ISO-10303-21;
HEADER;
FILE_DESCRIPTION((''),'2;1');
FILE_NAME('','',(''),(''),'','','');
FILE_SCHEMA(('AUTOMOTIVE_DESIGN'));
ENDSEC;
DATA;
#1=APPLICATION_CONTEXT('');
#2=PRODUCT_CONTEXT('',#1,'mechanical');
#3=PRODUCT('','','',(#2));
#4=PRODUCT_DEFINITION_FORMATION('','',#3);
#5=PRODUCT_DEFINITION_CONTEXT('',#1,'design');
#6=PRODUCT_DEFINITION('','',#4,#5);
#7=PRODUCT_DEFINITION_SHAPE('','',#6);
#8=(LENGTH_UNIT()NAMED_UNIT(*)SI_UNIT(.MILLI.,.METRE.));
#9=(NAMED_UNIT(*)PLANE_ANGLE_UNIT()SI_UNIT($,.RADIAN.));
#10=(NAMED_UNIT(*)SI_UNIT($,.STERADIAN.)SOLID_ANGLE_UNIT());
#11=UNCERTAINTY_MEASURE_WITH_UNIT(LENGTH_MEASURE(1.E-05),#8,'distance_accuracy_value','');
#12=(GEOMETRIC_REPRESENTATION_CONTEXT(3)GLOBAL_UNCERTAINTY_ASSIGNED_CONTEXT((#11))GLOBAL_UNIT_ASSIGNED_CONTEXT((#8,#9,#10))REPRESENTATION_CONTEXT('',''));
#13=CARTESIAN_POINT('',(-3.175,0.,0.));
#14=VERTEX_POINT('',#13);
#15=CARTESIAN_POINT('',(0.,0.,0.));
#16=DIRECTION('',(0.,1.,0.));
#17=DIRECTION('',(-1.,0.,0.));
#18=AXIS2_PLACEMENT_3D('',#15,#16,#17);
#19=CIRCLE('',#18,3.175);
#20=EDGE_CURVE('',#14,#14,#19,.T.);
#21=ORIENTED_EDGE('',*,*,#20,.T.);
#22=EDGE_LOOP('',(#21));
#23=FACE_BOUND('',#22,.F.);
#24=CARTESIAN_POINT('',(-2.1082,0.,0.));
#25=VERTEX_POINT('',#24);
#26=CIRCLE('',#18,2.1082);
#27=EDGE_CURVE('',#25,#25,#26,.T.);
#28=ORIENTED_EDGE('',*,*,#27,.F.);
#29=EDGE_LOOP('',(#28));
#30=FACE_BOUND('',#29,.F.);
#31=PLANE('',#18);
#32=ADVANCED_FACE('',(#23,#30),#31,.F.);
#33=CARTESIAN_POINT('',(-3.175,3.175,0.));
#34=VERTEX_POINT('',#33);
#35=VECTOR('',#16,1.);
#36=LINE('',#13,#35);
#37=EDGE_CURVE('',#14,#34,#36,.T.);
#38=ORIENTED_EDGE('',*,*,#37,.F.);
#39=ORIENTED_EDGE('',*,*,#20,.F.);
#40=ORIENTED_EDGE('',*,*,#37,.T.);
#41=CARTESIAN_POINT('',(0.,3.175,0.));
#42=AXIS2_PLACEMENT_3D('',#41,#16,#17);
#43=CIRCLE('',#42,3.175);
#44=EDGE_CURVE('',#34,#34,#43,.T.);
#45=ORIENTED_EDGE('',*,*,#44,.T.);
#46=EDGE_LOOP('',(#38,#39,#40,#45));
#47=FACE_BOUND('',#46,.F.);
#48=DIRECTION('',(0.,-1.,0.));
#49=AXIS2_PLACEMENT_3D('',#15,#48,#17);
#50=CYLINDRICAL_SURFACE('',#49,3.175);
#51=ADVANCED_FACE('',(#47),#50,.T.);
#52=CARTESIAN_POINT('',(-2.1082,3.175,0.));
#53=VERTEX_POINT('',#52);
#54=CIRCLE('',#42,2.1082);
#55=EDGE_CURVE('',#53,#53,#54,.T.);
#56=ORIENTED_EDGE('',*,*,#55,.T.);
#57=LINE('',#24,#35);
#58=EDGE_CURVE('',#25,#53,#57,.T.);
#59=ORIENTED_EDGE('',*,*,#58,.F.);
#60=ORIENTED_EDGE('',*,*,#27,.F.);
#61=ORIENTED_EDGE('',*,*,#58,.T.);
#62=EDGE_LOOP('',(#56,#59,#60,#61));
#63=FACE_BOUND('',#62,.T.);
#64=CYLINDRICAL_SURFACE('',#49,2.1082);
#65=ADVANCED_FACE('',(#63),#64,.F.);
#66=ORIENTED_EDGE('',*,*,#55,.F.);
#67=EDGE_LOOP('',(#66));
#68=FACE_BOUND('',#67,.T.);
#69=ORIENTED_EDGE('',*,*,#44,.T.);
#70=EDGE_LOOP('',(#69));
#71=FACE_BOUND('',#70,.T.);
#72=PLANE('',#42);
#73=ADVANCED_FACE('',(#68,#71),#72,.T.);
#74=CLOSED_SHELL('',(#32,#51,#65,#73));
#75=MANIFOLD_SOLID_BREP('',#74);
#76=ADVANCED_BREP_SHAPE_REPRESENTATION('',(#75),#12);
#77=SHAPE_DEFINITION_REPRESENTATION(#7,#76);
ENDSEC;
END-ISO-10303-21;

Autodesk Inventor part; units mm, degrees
ref_plane "YZ Plane" through (0, 0, 0) normal (1, 0, 0) x (0, 1, 0)
ref_plane "XZ Plane" through (0, 0, 0) normal (0, 1, 0) x (-1, 0, 0)
ref_plane "XY Plane" through (0, 0, 0) normal (0, 0, 1) x (1, 0, 0)
sketch "Sketch1" plane through (0, 0, 0) normal (0, 1, 0) x (-1, 0, 0)
  circle A0 centre (0, 0) radius 2.1082
  circle A1 centre (0, 0) radius 3.175
  dimension "d0" = 6.35
  dimension "d1" = 4.2164
extrude "Extrusion1" add sketch "Sketch1" along normal blind 3.175
properties part number ".125 .25 OD" material "Stainless Steel"
